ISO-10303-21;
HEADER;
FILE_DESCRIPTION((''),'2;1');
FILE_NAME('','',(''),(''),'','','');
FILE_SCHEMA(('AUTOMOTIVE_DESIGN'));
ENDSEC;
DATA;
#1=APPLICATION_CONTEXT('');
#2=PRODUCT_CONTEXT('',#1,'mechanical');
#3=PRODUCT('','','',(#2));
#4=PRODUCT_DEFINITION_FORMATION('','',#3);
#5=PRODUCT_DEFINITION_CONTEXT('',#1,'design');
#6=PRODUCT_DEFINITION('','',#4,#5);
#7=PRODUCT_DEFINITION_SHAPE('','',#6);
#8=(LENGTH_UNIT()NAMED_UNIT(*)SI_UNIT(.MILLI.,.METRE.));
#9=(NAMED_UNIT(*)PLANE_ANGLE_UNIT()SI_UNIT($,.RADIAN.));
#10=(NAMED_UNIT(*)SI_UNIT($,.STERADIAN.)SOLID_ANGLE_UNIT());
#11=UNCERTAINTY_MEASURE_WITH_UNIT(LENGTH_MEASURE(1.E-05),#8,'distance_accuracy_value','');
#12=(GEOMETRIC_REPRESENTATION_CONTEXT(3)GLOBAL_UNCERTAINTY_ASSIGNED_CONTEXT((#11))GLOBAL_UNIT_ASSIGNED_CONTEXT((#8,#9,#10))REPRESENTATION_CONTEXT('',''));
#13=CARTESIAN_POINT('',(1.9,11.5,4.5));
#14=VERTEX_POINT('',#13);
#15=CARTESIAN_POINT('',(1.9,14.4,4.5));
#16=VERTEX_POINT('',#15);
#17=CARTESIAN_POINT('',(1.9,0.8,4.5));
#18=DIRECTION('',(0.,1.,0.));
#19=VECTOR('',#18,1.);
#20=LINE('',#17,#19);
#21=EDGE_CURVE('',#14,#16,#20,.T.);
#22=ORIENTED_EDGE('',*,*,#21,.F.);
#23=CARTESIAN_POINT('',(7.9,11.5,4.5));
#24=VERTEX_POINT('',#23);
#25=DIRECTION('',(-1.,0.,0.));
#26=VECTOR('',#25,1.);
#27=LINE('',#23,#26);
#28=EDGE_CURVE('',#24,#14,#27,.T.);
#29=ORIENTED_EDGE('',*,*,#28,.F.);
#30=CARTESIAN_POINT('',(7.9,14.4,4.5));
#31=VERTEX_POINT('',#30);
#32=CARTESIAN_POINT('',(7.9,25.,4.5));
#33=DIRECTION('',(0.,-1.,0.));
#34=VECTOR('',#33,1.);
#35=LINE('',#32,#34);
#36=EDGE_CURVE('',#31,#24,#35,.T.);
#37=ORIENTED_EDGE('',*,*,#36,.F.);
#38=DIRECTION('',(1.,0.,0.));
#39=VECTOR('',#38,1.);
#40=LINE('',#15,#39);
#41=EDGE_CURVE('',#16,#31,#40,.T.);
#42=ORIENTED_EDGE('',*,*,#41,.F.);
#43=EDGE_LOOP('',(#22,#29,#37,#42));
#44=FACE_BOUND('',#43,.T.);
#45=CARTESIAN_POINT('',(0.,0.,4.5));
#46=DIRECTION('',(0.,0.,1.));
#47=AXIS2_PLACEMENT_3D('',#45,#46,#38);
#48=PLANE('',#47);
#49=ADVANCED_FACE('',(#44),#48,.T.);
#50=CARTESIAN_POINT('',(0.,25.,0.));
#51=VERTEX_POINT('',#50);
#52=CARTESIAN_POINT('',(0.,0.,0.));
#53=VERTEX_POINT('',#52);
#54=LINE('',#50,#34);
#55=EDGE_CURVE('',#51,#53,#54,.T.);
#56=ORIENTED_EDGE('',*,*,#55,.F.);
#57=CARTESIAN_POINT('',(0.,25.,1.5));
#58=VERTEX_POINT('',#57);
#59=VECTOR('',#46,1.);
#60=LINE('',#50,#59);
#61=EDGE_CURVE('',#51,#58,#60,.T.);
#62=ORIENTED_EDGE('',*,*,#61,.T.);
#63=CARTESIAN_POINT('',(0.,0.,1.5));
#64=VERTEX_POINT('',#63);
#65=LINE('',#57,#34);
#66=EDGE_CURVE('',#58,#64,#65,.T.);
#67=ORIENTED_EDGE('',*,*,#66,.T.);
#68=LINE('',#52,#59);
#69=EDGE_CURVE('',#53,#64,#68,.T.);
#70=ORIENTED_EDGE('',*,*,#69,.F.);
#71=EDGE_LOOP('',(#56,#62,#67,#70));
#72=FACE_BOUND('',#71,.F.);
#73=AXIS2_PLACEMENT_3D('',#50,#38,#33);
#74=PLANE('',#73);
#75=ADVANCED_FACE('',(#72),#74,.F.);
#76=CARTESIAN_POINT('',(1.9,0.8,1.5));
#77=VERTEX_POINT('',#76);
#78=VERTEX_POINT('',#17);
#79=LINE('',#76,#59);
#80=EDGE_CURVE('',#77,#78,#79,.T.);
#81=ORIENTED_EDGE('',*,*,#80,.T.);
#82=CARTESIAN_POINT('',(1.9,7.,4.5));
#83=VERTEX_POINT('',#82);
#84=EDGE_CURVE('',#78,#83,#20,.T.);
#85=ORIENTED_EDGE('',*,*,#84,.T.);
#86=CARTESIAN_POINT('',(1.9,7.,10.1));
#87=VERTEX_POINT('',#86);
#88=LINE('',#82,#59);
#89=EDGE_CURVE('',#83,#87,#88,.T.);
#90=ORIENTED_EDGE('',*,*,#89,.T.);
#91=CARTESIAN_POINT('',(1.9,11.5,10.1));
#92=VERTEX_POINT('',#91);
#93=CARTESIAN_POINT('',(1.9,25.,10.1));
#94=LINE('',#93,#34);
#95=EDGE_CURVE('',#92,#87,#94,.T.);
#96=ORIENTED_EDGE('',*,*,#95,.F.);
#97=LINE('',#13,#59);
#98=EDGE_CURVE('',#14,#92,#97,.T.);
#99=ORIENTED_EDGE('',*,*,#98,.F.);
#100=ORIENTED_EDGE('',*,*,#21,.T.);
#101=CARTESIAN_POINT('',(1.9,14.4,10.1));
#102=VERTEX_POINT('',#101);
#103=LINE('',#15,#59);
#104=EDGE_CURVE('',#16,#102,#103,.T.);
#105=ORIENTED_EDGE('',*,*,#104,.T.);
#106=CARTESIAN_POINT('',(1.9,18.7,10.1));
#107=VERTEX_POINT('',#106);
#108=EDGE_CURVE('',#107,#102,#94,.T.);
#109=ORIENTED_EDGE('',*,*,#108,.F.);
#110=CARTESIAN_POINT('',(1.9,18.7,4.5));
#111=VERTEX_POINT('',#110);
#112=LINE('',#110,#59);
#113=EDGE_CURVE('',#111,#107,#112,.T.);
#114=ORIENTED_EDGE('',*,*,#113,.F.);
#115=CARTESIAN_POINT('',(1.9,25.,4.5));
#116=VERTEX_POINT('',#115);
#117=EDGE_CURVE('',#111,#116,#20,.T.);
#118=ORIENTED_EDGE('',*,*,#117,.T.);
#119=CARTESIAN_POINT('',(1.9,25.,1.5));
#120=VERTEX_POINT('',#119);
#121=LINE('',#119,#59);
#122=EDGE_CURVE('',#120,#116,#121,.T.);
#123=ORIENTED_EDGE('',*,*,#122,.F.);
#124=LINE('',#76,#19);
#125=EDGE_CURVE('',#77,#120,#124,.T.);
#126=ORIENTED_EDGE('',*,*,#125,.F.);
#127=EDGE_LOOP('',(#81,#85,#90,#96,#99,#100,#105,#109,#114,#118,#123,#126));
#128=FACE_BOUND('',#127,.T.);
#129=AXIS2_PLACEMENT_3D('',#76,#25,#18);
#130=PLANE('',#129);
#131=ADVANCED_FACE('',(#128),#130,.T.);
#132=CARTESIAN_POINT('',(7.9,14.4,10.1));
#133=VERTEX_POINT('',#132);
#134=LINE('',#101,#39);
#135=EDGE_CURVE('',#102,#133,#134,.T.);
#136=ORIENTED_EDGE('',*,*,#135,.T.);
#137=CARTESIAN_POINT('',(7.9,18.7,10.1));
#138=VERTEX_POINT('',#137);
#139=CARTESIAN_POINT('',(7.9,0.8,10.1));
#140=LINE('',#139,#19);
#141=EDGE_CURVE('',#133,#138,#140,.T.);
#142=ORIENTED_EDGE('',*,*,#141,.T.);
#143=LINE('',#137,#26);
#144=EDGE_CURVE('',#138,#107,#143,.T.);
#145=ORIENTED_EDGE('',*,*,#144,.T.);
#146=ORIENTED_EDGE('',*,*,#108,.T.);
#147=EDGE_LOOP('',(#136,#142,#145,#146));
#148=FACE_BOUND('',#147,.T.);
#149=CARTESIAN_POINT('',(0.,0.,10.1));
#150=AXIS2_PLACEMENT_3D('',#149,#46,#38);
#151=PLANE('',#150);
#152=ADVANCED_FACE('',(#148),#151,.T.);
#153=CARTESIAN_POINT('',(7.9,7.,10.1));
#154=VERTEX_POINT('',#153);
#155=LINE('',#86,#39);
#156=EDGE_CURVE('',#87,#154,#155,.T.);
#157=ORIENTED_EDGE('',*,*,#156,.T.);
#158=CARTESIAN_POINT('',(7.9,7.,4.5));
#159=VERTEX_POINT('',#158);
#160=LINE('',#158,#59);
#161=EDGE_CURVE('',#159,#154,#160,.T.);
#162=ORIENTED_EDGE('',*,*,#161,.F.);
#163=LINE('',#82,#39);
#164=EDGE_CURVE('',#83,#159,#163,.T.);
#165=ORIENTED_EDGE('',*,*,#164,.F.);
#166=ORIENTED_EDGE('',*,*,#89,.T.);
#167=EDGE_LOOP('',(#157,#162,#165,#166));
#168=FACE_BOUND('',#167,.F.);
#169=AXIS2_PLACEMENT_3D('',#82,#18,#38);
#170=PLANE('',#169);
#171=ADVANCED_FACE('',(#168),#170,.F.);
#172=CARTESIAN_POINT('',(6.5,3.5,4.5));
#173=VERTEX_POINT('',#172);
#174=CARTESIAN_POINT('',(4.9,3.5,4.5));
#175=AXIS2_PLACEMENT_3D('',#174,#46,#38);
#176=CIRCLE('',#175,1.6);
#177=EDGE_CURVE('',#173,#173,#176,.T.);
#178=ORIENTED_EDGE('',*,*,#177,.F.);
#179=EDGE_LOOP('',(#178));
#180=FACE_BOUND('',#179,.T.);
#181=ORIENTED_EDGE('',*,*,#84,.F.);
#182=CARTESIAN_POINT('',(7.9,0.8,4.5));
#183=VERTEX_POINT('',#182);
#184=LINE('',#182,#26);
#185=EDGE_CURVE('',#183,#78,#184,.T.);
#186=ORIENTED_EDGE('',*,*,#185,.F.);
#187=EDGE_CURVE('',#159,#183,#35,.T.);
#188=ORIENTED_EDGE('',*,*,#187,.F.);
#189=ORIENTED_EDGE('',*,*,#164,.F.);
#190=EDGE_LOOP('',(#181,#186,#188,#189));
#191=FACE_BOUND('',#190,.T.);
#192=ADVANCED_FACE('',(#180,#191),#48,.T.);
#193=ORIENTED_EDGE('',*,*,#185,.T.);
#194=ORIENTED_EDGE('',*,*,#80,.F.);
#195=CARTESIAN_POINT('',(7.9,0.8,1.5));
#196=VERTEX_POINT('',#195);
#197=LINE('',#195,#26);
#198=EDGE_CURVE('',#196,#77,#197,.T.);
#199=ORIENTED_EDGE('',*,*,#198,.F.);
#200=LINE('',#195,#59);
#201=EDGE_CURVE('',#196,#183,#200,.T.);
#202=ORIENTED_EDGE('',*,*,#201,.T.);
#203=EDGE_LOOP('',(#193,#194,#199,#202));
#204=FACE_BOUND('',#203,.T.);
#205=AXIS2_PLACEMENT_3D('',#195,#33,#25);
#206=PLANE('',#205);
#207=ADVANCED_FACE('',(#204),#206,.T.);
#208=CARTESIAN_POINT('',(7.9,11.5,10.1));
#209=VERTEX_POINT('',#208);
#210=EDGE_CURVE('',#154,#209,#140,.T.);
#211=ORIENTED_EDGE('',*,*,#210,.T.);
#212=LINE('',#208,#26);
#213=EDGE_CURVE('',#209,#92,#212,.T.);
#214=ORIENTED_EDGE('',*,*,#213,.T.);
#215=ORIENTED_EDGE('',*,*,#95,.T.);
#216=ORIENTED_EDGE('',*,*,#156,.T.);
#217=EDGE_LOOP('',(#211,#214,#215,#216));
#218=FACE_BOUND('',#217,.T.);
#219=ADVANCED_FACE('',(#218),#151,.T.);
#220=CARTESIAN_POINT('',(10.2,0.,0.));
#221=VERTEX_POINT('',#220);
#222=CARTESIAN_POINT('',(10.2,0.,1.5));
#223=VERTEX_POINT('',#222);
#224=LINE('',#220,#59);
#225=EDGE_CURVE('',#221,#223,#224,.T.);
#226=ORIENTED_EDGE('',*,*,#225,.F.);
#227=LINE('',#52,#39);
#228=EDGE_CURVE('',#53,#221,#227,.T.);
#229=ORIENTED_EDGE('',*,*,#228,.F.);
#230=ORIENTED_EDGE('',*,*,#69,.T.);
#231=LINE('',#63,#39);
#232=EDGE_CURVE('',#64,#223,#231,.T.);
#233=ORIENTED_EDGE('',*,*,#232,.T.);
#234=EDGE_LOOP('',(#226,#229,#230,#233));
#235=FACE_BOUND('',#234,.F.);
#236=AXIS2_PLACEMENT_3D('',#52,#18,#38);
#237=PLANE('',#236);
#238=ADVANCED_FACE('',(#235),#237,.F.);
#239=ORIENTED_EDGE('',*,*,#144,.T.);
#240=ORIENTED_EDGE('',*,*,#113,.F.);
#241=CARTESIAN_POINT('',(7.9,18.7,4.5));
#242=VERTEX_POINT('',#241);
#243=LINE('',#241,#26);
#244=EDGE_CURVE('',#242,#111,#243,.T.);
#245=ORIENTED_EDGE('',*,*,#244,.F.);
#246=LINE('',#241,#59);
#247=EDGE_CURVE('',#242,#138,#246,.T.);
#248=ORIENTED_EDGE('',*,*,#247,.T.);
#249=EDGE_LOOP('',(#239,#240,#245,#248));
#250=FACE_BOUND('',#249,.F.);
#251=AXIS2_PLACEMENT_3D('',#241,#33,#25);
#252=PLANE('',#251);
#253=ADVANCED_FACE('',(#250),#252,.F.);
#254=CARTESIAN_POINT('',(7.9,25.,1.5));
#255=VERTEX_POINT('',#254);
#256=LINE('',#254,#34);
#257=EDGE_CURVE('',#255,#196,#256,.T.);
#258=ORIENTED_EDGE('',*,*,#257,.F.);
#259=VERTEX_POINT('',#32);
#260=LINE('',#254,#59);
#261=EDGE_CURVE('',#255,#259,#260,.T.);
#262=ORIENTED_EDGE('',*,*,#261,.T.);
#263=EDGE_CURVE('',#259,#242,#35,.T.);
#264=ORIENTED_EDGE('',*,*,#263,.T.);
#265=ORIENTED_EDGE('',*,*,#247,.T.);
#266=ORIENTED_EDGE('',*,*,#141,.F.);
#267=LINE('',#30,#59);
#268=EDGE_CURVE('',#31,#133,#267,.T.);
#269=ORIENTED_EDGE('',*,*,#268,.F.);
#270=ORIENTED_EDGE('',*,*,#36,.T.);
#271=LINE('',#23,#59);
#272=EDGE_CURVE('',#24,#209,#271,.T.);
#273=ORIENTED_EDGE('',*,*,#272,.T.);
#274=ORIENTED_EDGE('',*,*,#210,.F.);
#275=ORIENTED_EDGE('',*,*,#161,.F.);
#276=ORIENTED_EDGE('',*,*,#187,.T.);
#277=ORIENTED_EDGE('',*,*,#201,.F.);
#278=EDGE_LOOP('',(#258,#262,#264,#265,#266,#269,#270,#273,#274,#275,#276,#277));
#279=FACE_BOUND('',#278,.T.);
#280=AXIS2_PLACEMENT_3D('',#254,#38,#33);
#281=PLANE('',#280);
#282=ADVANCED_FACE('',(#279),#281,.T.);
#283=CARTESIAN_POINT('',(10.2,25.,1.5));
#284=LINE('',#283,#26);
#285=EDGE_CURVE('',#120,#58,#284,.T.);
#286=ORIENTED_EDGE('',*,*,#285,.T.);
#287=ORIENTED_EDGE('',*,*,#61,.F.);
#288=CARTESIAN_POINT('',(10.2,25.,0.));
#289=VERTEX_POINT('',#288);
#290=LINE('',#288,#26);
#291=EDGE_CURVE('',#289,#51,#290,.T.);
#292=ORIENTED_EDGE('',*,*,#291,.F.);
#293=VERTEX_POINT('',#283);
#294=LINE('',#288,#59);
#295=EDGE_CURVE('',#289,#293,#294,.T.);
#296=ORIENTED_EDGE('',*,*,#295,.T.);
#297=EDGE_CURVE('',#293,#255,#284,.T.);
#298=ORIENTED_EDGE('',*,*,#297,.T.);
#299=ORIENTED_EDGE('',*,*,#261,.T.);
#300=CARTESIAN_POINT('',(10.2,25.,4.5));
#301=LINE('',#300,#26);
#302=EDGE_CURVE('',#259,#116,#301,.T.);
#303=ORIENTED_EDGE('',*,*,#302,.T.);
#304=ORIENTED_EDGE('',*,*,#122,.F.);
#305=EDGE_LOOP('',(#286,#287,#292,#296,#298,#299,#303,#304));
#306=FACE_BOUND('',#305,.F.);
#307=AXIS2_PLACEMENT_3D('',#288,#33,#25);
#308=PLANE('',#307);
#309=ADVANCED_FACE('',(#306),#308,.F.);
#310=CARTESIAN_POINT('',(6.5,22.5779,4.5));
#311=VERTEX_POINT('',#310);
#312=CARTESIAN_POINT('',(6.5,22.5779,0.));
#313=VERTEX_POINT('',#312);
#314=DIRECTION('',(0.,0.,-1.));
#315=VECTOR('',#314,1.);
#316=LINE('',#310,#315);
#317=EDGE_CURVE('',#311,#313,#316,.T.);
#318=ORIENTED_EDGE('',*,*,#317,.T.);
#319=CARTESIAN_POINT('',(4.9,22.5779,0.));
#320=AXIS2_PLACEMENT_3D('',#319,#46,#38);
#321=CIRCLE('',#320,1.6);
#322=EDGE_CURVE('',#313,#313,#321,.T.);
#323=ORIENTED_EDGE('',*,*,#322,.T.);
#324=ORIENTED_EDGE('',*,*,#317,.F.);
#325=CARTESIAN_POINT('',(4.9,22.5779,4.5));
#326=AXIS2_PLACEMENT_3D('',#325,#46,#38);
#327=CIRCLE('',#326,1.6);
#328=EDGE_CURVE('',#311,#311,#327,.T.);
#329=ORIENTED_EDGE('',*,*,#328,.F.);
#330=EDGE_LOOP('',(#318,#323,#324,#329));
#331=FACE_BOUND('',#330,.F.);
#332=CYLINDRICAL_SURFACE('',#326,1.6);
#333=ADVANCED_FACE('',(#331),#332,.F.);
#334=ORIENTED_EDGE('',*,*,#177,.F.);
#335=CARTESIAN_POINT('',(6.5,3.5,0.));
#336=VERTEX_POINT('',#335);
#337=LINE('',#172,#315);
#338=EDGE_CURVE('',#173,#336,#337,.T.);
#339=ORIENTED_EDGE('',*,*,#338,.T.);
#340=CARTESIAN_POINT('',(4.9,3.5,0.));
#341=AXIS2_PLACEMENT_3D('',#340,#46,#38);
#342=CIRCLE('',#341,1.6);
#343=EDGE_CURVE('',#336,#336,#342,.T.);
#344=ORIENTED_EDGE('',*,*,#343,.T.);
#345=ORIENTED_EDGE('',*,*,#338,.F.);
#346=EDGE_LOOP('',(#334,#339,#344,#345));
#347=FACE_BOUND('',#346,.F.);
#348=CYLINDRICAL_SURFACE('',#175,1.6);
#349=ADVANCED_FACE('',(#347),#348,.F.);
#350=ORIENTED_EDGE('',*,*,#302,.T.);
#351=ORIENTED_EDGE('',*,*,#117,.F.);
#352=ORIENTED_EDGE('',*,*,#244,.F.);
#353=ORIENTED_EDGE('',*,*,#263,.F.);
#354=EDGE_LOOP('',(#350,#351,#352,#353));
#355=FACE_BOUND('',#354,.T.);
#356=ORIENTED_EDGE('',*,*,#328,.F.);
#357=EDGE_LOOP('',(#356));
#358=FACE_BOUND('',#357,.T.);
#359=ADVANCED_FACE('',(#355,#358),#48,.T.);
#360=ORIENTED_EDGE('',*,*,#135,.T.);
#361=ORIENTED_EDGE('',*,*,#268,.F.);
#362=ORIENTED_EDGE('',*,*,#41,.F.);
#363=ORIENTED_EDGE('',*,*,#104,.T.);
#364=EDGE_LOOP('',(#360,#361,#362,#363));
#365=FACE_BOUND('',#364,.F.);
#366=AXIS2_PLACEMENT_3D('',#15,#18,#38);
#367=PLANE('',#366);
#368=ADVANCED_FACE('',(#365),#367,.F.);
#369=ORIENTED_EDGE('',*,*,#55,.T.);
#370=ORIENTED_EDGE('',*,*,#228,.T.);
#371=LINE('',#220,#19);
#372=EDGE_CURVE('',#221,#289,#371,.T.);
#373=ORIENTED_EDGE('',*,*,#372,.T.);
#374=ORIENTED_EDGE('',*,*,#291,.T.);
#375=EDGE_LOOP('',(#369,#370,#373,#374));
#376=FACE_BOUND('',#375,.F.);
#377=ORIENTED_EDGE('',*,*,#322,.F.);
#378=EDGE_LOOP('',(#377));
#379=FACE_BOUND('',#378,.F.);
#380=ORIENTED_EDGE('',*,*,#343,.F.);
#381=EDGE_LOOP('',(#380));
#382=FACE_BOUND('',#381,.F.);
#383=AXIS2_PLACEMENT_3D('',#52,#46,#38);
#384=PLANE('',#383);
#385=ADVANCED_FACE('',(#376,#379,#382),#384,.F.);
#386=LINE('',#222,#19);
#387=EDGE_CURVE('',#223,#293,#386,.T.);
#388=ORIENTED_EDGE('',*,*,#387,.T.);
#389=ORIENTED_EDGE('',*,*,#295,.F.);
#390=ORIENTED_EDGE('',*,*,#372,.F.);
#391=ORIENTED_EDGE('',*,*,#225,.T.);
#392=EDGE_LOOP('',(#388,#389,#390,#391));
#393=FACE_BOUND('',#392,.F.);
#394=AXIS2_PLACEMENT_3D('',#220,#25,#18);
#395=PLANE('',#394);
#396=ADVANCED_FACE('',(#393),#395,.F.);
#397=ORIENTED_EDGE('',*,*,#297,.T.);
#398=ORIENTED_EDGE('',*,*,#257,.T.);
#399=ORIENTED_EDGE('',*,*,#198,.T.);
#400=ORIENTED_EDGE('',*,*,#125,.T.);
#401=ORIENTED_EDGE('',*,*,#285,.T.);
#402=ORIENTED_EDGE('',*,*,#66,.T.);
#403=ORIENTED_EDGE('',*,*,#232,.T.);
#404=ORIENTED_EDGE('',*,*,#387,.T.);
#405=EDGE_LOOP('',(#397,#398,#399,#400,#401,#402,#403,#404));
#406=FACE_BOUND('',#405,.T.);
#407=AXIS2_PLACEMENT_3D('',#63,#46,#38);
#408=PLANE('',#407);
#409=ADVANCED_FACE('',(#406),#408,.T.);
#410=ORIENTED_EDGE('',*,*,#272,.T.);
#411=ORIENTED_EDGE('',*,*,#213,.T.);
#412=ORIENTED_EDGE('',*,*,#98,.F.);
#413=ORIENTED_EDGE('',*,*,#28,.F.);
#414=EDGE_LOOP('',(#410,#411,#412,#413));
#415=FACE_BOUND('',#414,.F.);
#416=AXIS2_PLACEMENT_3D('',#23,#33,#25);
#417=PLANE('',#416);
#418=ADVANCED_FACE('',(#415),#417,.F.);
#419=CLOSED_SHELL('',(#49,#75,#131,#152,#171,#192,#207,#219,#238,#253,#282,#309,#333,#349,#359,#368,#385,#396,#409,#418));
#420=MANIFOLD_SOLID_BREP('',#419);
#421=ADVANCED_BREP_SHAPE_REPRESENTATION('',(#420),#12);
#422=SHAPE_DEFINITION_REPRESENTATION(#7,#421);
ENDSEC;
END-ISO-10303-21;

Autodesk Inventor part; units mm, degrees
ref_plane "YZ Plane" through (0, 0, 0) normal (1, 0, 0) x (0, 1, 0)
ref_plane "XZ Plane" through (0, 0, 0) normal (0, 1, 0) x (-1, 0, 0)
ref_plane "XY Plane" through (0, 0, 0) normal (0, 0, 1) x (1, 0, 0)
sketch "Sketch1" plane through (0, 0, 0) normal (0, 0, 1) x (1, 0, 0)
  line L0 (0, 0) -> (10.2, 0)
  line L1 (10.2, 0) -> (10.2, 25)
  line L2 (10.2, 25) -> (0, 25)
  line L3 (0, 25) -> (0, 0)
  dimension "d0" = 10.2
  dimension "d1" = 25
extrude "Extrusion1" add sketch "Sketch1" along normal blind 1.5
sketch "Sketch2" plane through (0, 0, 1.5) normal (0, 0, 1) x (1, 0, 0)
  line L0 (10.2, 0) -> (10.2, 25) projected
  line L1 (10.2, 25) -> (0, 25) projected
  line L2 (1.9, 25) -> (7.9, 25)
  line L3 (7.9, 25) -> (7.9, 0.8)
  line L4 (7.9, 0.8) -> (1.9, 0.8)
  line L5 (1.9, 0.8) -> (1.9, 25)
  dimension "d4" = 6
  dimension "d5" = 24.2
  dimension "d6" = 2.3
  dimension "d7" = 0
extrude "Extrusion2" add sketch "Sketch2" along normal blind 3
sketch "Sketch3" plane through (0, 0, 4.5) normal (0, 0, 1) x (1, 0, 0)
  line L0 (1.9, 25) -> (1.9, 0.8) projected
  line L1 (7.9, 0.8) -> (7.9, 25) projected
  line L2 (1.9, 7) -> (7.9, 7)
  line L3 (7.9, 7) -> (7.9, 11.5)
  line L4 (7.9, 11.5) -> (1.9, 11.5)
  line L5 (1.9, 11.5) -> (1.9, 7)
  line L6 (1.9, 14.4) -> (7.9, 14.4)
  line L7 (7.9, 14.4) -> (7.9, 18.7)
  line L8 (7.9, 18.7) -> (1.9, 18.7)
  line L9 (1.9, 18.7) -> (1.9, 14.4)
  line L10 (1.9, 0.8) -> (7.9, 0.8) projected
  point P0 (0, 0)
  dimension "d10" = 4.5
  dimension "d11" = 4.3
  dimension "d12" = 2.9
  dimension "d15" = 6.2
extrude "Extrusion3" add sketch "Sketch3" along normal blind 5.6 contours L8 L1 L6 L0 | L4 L1 L2 L0
sketch "Sketch4" plane through (0, 0, 4.5) normal (0, 0, 1) x (1, 0, 0)
  line L0 (1.9, 7) -> (1.9, 0.8) projected
  line L1 (1.9, 0.8) -> (7.9, 0.8) projected
  circle A0 centre (4.9, 3.5) radius 1.6
  line L2 (0, 25) -> (0, 0) projected
  dimension "d16" = 3.2
  dimension "d18" = 3
  dimension "d19" = 2.7
sketch "Sketch5" plane through (0, 0, 4.5) normal (0, 0, 1) x (1, 0, 0)
  circle A0 centre (4.9, 22.5779) radius 1.6
  circle A1 centre (4.9, 3.4779) radius 1.6
  point P0 (0, 0)
  dimension "d20" = 3.2
  dimension "d21" = 3.2
  dimension "d22" = 19.1
extrude "Extrusion4" cut sketch "Sketch5" against normal blind 5.6 contours A0
extrude "Extrusion5" cut sketch "Sketch4" against normal blind 5.6
properties part number "OptoEndStop"
